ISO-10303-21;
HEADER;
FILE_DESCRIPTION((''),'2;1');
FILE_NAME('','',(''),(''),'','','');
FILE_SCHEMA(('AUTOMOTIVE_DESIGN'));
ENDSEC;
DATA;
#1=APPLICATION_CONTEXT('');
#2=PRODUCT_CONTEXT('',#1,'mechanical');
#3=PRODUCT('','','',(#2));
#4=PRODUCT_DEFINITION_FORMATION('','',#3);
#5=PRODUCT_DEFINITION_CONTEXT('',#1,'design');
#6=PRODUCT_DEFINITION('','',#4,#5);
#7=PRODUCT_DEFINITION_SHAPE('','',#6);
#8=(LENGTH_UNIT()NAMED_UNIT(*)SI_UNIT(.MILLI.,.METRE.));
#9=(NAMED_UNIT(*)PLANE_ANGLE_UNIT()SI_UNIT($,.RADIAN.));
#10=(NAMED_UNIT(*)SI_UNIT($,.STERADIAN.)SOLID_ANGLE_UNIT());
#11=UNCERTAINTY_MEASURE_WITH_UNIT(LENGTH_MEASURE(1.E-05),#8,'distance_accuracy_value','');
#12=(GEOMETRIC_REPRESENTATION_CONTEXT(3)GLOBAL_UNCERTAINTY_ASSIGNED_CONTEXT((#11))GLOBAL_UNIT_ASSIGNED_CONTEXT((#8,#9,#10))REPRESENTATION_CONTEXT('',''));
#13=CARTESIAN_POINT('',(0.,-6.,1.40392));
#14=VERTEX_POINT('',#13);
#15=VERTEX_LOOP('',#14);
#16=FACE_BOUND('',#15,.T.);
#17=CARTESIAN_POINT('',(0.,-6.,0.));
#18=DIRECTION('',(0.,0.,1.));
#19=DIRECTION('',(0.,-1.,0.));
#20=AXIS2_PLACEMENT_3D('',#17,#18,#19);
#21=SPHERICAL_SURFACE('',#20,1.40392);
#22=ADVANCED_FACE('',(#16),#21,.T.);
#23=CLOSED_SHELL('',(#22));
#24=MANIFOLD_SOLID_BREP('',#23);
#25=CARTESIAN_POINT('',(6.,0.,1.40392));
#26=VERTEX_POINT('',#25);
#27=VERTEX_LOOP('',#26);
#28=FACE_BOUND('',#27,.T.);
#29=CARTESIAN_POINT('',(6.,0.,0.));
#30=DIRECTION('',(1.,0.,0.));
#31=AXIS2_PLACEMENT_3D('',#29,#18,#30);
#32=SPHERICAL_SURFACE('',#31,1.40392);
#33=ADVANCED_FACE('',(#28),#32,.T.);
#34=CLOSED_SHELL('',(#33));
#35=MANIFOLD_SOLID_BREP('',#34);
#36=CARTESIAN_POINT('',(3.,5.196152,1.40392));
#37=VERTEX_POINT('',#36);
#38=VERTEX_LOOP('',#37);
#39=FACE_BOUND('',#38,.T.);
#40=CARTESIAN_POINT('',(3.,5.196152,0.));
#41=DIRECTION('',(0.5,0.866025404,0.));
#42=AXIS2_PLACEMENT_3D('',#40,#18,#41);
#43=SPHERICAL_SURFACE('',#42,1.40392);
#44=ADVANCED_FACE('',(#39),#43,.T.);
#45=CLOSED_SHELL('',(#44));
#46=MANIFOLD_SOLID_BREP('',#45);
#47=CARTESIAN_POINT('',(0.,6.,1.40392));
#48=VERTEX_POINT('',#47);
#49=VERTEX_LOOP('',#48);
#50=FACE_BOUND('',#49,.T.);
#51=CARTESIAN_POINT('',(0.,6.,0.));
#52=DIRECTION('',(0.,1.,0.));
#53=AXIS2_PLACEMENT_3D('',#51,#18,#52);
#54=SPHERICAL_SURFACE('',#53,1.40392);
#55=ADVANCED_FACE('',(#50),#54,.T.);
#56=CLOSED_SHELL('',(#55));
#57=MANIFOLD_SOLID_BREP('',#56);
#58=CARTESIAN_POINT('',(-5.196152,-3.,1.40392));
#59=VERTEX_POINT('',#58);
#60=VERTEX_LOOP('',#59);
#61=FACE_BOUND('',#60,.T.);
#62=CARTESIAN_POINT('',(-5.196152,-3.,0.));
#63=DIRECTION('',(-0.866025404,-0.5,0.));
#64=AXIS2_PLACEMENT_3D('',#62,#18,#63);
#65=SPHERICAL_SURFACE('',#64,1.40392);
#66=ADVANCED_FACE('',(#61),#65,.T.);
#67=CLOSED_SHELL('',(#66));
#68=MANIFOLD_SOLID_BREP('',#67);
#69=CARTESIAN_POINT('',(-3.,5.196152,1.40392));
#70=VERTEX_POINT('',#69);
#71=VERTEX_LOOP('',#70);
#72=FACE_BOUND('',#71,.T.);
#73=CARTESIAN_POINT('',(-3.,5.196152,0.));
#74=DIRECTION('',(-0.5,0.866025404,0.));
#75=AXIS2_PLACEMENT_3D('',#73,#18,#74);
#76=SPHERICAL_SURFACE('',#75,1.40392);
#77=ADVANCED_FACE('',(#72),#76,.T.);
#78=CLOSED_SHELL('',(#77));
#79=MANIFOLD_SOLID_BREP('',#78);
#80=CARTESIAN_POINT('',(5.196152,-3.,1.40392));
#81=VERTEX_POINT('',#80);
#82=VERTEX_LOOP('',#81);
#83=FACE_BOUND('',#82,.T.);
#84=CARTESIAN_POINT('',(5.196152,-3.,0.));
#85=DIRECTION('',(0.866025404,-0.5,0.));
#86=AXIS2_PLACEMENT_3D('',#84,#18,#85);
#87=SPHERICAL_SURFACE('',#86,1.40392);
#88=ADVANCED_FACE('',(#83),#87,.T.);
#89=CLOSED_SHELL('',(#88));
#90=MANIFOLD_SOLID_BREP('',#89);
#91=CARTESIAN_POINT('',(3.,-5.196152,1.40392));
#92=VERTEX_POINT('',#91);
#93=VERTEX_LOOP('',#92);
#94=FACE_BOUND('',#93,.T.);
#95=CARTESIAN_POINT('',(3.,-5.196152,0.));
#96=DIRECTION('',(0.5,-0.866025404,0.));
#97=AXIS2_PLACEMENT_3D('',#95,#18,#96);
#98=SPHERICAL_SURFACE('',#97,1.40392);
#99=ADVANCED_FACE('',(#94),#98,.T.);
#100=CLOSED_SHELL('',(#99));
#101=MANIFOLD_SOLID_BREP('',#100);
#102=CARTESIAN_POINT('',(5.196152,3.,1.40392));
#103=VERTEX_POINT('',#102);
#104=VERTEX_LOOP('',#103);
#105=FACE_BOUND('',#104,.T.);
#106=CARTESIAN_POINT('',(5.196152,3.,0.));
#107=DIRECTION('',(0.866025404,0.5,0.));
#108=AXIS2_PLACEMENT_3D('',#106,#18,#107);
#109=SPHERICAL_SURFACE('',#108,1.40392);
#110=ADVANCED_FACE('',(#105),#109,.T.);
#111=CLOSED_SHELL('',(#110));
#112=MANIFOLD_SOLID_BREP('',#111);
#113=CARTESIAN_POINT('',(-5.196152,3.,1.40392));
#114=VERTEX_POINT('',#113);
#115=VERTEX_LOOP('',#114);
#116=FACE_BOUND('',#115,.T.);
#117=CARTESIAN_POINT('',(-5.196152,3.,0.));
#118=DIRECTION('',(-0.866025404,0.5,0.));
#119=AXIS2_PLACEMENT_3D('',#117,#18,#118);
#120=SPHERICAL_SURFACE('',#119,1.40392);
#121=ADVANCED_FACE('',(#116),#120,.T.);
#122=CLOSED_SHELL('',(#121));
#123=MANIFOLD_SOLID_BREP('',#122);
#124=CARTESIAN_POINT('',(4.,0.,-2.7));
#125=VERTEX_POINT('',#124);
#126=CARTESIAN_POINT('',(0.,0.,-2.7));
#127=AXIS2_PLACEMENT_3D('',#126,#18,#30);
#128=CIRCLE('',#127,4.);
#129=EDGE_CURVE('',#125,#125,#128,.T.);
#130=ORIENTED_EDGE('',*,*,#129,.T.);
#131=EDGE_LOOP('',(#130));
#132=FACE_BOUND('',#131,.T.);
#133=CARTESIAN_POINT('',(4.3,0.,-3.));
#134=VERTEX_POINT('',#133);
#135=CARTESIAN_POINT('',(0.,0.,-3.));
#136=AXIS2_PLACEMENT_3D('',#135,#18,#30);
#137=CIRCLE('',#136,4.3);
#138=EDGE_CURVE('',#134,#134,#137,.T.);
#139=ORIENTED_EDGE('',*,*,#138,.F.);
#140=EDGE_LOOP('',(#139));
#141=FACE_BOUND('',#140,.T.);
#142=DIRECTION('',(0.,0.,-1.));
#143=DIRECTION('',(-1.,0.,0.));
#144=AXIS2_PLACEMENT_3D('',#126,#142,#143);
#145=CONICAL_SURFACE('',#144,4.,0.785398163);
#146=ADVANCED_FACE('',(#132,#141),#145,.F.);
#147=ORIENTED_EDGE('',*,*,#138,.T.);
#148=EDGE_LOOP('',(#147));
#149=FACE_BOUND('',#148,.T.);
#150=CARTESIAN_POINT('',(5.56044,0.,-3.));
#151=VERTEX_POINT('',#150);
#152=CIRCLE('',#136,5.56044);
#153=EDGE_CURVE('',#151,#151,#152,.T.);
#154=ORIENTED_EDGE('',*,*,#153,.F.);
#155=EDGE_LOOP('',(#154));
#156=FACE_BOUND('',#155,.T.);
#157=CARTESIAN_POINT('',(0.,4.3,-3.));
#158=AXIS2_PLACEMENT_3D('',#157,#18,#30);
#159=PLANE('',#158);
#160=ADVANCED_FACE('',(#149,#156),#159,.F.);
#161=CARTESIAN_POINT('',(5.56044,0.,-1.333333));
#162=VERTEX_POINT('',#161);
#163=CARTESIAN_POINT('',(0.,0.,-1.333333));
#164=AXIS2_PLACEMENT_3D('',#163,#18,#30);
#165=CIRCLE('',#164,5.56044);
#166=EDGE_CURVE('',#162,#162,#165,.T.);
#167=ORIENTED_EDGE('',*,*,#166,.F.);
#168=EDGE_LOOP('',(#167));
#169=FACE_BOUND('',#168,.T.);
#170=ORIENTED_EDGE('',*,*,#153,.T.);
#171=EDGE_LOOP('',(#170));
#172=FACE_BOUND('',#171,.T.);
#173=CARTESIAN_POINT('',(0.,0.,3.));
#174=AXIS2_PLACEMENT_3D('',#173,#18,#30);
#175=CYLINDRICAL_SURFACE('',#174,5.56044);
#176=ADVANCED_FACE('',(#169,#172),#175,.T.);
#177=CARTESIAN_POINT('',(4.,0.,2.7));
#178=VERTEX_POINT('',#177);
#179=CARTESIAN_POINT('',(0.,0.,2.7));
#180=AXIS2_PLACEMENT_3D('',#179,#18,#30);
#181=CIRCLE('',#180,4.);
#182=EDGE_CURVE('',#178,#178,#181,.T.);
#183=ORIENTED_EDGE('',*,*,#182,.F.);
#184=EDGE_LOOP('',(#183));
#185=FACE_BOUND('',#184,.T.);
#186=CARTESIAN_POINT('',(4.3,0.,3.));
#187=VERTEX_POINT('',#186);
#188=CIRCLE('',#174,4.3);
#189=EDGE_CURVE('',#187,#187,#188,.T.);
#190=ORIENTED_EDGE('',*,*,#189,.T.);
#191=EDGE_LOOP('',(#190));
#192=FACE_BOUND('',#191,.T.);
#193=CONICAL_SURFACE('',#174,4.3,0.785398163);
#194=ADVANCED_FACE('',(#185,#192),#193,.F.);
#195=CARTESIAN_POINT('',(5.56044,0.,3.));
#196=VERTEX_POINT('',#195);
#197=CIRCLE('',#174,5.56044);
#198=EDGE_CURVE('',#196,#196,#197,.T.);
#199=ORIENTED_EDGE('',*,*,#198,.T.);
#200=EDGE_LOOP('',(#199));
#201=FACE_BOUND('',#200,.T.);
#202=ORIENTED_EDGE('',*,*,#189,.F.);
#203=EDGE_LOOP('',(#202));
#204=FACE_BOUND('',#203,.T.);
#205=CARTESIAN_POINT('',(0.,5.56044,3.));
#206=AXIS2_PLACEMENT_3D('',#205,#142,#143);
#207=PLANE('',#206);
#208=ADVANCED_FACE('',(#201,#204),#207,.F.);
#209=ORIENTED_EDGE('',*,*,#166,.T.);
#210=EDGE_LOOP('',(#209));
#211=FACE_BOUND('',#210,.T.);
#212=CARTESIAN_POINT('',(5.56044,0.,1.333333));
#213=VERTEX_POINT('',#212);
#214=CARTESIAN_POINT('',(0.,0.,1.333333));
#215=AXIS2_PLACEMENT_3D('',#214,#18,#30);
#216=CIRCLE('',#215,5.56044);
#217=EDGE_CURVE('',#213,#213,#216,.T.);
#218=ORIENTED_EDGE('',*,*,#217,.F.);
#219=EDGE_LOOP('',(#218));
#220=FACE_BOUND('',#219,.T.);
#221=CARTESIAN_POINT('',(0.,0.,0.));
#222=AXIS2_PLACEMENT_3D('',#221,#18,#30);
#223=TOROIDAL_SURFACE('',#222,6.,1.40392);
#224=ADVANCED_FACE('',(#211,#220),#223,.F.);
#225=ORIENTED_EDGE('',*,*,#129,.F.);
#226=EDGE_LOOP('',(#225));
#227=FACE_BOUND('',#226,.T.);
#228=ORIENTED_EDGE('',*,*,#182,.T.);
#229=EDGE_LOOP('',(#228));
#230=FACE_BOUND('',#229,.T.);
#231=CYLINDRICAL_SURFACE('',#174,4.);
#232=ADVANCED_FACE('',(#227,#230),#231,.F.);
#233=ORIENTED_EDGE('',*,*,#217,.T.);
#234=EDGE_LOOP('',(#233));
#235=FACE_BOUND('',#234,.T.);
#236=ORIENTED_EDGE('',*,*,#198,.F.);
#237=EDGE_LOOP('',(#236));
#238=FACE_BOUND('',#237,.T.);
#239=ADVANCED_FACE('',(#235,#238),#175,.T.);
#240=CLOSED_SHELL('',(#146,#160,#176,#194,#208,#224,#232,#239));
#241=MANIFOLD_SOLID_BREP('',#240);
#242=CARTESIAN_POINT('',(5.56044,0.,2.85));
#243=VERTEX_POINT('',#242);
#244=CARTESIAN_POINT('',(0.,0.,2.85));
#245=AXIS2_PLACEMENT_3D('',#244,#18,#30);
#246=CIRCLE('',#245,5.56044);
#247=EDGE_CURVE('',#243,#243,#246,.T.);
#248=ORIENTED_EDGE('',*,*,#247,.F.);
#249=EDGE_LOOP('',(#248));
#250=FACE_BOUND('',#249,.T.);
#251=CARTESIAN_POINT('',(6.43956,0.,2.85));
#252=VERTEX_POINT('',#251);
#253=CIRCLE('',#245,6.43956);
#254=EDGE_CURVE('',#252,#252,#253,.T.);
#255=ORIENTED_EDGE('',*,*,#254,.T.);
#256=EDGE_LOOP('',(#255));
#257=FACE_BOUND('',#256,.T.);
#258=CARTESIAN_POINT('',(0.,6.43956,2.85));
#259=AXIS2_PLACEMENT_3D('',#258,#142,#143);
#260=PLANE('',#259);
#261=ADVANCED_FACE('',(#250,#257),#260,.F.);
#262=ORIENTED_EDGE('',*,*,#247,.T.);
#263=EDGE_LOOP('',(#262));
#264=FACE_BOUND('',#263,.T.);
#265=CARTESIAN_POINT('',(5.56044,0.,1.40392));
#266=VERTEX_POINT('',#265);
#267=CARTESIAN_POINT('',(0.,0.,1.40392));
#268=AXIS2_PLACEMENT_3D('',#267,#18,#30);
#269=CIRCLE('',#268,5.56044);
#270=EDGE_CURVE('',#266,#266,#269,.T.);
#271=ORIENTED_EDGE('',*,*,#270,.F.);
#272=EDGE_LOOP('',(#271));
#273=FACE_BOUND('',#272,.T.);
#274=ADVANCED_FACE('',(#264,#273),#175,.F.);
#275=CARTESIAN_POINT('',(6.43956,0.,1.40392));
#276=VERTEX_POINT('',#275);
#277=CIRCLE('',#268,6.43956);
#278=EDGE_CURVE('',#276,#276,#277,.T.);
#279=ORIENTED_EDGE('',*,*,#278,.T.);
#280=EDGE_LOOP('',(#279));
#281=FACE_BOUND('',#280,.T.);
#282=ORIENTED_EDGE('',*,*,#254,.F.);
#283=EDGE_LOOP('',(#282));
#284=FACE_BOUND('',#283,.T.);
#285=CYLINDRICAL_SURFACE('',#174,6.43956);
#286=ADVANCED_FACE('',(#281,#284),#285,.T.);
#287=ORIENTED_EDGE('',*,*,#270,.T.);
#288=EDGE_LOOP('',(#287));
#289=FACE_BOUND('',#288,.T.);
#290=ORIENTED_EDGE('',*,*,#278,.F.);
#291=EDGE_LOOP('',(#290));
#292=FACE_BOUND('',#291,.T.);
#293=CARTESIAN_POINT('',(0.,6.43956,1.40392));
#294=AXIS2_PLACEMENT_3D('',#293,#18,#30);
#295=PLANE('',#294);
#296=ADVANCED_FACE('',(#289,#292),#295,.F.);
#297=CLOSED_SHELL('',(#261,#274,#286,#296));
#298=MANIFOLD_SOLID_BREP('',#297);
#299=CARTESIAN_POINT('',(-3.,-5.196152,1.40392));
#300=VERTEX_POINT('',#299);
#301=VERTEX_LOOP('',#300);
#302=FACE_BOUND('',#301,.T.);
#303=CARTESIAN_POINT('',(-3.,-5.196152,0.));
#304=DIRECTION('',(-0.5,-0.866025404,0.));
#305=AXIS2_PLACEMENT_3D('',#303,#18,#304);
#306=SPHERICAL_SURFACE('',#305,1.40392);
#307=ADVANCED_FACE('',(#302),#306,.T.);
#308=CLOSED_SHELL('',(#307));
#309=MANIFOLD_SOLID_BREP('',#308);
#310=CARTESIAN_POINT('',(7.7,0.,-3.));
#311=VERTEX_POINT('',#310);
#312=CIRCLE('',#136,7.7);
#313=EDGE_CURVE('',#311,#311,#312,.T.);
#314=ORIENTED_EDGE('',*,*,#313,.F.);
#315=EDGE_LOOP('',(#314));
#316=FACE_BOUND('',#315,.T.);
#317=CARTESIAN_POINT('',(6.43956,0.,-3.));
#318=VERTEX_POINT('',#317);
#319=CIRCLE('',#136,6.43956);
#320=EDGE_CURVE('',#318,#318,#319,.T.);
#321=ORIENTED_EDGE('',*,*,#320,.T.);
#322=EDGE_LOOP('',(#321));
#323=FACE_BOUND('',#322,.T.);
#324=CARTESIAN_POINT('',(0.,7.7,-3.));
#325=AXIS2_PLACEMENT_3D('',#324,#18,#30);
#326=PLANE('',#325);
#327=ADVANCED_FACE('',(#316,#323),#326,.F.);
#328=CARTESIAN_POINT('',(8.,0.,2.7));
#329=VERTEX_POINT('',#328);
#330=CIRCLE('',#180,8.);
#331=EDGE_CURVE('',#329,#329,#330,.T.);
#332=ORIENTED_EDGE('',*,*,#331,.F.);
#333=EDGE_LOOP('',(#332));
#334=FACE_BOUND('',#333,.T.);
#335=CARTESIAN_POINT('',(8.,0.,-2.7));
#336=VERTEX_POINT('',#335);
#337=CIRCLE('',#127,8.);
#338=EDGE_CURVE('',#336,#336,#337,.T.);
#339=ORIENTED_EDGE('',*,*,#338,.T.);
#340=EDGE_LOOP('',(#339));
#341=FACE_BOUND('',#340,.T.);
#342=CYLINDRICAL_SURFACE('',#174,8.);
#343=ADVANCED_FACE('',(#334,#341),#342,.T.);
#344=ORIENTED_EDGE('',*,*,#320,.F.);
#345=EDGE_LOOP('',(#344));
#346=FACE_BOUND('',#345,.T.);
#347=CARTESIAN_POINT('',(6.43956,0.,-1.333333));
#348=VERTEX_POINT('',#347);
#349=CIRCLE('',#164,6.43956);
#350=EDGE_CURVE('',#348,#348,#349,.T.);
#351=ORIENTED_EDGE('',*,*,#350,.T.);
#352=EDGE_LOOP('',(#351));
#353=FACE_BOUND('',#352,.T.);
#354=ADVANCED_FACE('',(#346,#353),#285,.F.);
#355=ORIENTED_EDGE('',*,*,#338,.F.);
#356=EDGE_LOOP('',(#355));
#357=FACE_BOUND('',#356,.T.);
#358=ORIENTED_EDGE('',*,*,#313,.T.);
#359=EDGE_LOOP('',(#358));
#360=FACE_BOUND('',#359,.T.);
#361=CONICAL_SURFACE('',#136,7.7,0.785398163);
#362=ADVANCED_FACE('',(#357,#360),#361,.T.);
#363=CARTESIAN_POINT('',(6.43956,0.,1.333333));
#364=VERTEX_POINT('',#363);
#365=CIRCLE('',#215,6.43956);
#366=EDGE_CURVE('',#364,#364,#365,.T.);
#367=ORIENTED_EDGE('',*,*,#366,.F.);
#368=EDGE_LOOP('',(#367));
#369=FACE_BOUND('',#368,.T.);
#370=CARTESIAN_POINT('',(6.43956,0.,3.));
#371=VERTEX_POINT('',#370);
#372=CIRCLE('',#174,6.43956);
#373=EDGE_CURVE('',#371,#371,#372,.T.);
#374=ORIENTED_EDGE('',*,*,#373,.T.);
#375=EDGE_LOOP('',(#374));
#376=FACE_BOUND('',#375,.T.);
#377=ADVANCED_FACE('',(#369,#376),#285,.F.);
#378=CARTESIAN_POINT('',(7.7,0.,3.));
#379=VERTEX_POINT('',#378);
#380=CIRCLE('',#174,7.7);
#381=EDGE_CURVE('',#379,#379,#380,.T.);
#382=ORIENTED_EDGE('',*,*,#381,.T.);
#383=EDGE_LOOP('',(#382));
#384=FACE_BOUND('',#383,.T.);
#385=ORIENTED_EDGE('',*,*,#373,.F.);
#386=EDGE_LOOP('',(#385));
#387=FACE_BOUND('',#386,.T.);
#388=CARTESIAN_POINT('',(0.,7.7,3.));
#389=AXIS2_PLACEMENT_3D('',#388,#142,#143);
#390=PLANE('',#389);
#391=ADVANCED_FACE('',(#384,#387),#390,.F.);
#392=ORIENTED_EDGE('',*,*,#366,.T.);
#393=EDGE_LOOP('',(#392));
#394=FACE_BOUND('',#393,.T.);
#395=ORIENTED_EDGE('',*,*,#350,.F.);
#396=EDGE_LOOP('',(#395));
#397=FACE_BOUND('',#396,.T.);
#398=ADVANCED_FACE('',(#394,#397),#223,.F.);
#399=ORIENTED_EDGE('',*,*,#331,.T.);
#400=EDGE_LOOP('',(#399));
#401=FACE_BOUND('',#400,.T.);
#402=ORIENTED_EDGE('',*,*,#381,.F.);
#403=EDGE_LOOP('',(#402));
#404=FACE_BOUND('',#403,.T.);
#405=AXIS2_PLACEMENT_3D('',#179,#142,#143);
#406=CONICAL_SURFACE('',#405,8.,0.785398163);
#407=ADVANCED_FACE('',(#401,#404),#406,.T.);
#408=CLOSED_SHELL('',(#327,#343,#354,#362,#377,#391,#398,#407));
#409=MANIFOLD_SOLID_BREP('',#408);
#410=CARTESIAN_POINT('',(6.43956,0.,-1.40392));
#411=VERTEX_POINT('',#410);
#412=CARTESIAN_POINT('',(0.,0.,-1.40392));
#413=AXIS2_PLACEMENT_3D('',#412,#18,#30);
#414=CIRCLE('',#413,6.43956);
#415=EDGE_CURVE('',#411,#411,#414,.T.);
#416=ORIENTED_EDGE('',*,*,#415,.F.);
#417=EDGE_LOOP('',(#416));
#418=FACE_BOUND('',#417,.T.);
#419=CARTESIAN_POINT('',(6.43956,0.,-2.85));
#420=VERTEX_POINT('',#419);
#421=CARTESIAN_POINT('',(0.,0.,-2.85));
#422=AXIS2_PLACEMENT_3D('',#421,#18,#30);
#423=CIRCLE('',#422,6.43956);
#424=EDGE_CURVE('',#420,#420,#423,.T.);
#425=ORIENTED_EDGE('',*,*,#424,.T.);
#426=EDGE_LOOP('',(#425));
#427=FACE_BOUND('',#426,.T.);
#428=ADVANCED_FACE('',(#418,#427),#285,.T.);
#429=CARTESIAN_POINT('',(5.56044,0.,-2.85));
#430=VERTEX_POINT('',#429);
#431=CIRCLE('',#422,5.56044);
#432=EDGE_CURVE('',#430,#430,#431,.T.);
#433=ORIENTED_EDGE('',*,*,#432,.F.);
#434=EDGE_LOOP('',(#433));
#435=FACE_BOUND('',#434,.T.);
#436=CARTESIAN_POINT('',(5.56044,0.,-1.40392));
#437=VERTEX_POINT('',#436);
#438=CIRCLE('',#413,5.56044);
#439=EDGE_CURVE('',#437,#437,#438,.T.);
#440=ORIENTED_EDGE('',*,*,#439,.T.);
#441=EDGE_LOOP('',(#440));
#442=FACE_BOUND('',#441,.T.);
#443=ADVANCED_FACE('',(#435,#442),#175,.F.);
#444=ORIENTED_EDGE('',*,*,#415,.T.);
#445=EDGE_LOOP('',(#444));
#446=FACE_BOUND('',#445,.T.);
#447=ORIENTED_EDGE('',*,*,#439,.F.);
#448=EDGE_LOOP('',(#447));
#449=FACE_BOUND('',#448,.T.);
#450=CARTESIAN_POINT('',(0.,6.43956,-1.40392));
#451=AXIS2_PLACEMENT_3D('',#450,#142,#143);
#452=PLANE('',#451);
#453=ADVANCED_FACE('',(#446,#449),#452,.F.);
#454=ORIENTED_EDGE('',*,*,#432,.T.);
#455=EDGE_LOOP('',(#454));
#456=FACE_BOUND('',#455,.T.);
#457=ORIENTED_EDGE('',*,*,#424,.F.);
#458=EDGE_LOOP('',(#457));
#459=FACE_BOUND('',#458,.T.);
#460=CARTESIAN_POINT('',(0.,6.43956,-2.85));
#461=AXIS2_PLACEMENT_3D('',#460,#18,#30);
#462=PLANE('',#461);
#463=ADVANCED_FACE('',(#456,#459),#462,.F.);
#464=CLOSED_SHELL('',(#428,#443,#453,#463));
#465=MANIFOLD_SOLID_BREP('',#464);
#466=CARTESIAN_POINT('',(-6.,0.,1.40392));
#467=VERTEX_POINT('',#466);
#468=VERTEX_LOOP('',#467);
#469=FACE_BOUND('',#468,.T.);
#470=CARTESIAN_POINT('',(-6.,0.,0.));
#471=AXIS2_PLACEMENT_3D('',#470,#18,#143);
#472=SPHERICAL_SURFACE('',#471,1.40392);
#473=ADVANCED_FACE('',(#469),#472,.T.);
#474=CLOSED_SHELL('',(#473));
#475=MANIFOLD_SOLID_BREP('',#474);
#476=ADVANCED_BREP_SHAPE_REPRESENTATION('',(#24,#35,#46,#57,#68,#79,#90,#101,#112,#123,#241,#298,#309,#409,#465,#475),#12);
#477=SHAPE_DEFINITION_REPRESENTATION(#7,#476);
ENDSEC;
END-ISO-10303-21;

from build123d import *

# Parameters (mm, degrees)
CIRPATTERN1_COUNT = 12
SKETCH5_W         = 1.446080074
SKETCH5_H         = 0.87912088


with BuildPart() as part:
    # Sketch1 → Revolve1 (revolve)
    with BuildSketch(Plane(origin=(0, 0, 0), x_dir=(0, 0, -1), z_dir=(1, 0, 0))):
        with BuildLine():
            Line((2.7, 8), (-2.7, 8))
            Line((-2.7, 8), (-3, 7.7))
            Line((-3, 7.7), (-3, 6.43956044))
            Line((-3, 6.43956044), (-1.333333333, 6.43956044))
            ThreePointArc((-1.333333333, 6.43956044), (0, 7.403919926), (1.333333333, 6.43956044))
            Line((1.333333333, 6.43956044), (3, 6.43956044))
            Line((3, 6.43956044), (3, 7.7))
            Line((3, 7.7), (2.7, 8))
        make_face()
    revolve(axis=Axis((0, 0, 3), (0, 0, -1)))


with BuildPart() as body_2:
    # Sketch3 → Revolve3 (revolve)
    with BuildSketch(Plane(origin=(0, 0, 0), x_dir=(0, 0, -1), z_dir=(1, 0, 0))):
        with BuildLine():
            Line((-3, 5.56043956), (-1.333333333, 5.56043956))
            ThreePointArc((-1.333333333, 5.56043956), (0, 4.596080074), (1.333333333, 5.56043956))
            Line((1.333333333, 5.56043956), (3, 5.56043956))
            Line((3, 5.56043956), (3, 4.3))
            Line((3, 4.3), (2.7, 4))
            Line((2.7, 4), (-2.7, 4))
            Line((-2.7, 4), (-3, 4.3))
            Line((-3, 4.3), (-3, 5.56043956))
        make_face()
    revolve(axis=Axis((0, 0, 3), (0, 0, -1)))


with BuildPart() as body_3:
    # Sketch4 → Revolve4 (revolve)
    with BuildSketch(Plane(origin=(0, 0, 0), x_dir=(0, 0, -1), z_dir=(1, 0, 0))):
        with BuildLine():
            Line((-1.403919926, 6), (1.403919926, 6))
            ThreePointArc((1.403919926, 6), (0, 7.403919926), (-1.403919926, 6))
        make_face()
    revolve(axis=Axis((0, 6, 1.403919926), (0, 0, -1)))


with BuildPart() as cirpattern1_1:
    # CirPattern1: pattern copy
    add(body_3.part.rotate(Axis((0, 0, -3), (0, 0, 1)), 1 * 360 / CIRPATTERN1_COUNT))


with BuildPart() as cirpattern1_2:
    # CirPattern1: pattern copy
    add(body_3.part.rotate(Axis((0, 0, -3), (0, 0, 1)), 2 * 360 / CIRPATTERN1_COUNT))


with BuildPart() as cirpattern1_3:
    # CirPattern1: pattern copy
    add(body_3.part.rotate(Axis((0, 0, -3), (0, 0, 1)), 3 * 360 / CIRPATTERN1_COUNT))


with BuildPart() as cirpattern1_4:
    # CirPattern1: pattern copy
    add(body_3.part.rotate(Axis((0, 0, -3), (0, 0, 1)), 4 * 360 / CIRPATTERN1_COUNT))


with BuildPart() as cirpattern1_5:
    # CirPattern1: pattern copy
    add(body_3.part.rotate(Axis((0, 0, -3), (0, 0, 1)), 5 * 360 / CIRPATTERN1_COUNT))


with BuildPart() as cirpattern1_6:
    # CirPattern1: pattern copy
    add(body_3.part.rotate(Axis((0, 0, -3), (0, 0, 1)), 6 * 360 / CIRPATTERN1_COUNT))


with BuildPart() as cirpattern1_7:
    # CirPattern1: pattern copy
    add(body_3.part.rotate(Axis((0, 0, -3), (0, 0, 1)), 7 * 360 / CIRPATTERN1_COUNT))


with BuildPart() as cirpattern1_8:
    # CirPattern1: pattern copy
    add(body_3.part.rotate(Axis((0, 0, -3), (0, 0, 1)), 8 * 360 / CIRPATTERN1_COUNT))


with BuildPart() as cirpattern1_9:
    # CirPattern1: pattern copy
    add(body_3.part.rotate(Axis((0, 0, -3), (0, 0, 1)), 9 * 360 / CIRPATTERN1_COUNT))


with BuildPart() as cirpattern1_10:
    # CirPattern1: pattern copy
    add(body_3.part.rotate(Axis((0, 0, -3), (0, 0, 1)), 10 * 360 / CIRPATTERN1_COUNT))


with BuildPart() as cirpattern1_11:
    # CirPattern1: pattern copy
    add(body_3.part.rotate(Axis((0, 0, -3), (0, 0, 1)), 11 * 360 / CIRPATTERN1_COUNT))


with BuildPart() as body_15:
    # Sketch5 → Revolve5 (revolve)
    with BuildSketch(Plane(origin=(0, 0, 0), x_dir=(0, 0, -1), z_dir=(1, 0, 0))):
        with Locations((-2.126959963, 6)):
            Rectangle(SKETCH5_W, SKETCH5_H)
        with Locations((2.126959963, 6)):
            Rectangle(SKETCH5_W, SKETCH5_H)
    revolve(axis=Axis((0, 0, 3), (0, 0, -1)))


solid = Compound([part.part, body_2.part, body_3.part, cirpattern1_1.part, cirpattern1_2.part, cirpattern1_3.part, cirpattern1_4.part, cirpattern1_5.part, cirpattern1_6.part, cirpattern1_7.part, cirpattern1_8.part, cirpattern1_9.part, cirpattern1_10.part, cirpattern1_11.part, body_15.part])
